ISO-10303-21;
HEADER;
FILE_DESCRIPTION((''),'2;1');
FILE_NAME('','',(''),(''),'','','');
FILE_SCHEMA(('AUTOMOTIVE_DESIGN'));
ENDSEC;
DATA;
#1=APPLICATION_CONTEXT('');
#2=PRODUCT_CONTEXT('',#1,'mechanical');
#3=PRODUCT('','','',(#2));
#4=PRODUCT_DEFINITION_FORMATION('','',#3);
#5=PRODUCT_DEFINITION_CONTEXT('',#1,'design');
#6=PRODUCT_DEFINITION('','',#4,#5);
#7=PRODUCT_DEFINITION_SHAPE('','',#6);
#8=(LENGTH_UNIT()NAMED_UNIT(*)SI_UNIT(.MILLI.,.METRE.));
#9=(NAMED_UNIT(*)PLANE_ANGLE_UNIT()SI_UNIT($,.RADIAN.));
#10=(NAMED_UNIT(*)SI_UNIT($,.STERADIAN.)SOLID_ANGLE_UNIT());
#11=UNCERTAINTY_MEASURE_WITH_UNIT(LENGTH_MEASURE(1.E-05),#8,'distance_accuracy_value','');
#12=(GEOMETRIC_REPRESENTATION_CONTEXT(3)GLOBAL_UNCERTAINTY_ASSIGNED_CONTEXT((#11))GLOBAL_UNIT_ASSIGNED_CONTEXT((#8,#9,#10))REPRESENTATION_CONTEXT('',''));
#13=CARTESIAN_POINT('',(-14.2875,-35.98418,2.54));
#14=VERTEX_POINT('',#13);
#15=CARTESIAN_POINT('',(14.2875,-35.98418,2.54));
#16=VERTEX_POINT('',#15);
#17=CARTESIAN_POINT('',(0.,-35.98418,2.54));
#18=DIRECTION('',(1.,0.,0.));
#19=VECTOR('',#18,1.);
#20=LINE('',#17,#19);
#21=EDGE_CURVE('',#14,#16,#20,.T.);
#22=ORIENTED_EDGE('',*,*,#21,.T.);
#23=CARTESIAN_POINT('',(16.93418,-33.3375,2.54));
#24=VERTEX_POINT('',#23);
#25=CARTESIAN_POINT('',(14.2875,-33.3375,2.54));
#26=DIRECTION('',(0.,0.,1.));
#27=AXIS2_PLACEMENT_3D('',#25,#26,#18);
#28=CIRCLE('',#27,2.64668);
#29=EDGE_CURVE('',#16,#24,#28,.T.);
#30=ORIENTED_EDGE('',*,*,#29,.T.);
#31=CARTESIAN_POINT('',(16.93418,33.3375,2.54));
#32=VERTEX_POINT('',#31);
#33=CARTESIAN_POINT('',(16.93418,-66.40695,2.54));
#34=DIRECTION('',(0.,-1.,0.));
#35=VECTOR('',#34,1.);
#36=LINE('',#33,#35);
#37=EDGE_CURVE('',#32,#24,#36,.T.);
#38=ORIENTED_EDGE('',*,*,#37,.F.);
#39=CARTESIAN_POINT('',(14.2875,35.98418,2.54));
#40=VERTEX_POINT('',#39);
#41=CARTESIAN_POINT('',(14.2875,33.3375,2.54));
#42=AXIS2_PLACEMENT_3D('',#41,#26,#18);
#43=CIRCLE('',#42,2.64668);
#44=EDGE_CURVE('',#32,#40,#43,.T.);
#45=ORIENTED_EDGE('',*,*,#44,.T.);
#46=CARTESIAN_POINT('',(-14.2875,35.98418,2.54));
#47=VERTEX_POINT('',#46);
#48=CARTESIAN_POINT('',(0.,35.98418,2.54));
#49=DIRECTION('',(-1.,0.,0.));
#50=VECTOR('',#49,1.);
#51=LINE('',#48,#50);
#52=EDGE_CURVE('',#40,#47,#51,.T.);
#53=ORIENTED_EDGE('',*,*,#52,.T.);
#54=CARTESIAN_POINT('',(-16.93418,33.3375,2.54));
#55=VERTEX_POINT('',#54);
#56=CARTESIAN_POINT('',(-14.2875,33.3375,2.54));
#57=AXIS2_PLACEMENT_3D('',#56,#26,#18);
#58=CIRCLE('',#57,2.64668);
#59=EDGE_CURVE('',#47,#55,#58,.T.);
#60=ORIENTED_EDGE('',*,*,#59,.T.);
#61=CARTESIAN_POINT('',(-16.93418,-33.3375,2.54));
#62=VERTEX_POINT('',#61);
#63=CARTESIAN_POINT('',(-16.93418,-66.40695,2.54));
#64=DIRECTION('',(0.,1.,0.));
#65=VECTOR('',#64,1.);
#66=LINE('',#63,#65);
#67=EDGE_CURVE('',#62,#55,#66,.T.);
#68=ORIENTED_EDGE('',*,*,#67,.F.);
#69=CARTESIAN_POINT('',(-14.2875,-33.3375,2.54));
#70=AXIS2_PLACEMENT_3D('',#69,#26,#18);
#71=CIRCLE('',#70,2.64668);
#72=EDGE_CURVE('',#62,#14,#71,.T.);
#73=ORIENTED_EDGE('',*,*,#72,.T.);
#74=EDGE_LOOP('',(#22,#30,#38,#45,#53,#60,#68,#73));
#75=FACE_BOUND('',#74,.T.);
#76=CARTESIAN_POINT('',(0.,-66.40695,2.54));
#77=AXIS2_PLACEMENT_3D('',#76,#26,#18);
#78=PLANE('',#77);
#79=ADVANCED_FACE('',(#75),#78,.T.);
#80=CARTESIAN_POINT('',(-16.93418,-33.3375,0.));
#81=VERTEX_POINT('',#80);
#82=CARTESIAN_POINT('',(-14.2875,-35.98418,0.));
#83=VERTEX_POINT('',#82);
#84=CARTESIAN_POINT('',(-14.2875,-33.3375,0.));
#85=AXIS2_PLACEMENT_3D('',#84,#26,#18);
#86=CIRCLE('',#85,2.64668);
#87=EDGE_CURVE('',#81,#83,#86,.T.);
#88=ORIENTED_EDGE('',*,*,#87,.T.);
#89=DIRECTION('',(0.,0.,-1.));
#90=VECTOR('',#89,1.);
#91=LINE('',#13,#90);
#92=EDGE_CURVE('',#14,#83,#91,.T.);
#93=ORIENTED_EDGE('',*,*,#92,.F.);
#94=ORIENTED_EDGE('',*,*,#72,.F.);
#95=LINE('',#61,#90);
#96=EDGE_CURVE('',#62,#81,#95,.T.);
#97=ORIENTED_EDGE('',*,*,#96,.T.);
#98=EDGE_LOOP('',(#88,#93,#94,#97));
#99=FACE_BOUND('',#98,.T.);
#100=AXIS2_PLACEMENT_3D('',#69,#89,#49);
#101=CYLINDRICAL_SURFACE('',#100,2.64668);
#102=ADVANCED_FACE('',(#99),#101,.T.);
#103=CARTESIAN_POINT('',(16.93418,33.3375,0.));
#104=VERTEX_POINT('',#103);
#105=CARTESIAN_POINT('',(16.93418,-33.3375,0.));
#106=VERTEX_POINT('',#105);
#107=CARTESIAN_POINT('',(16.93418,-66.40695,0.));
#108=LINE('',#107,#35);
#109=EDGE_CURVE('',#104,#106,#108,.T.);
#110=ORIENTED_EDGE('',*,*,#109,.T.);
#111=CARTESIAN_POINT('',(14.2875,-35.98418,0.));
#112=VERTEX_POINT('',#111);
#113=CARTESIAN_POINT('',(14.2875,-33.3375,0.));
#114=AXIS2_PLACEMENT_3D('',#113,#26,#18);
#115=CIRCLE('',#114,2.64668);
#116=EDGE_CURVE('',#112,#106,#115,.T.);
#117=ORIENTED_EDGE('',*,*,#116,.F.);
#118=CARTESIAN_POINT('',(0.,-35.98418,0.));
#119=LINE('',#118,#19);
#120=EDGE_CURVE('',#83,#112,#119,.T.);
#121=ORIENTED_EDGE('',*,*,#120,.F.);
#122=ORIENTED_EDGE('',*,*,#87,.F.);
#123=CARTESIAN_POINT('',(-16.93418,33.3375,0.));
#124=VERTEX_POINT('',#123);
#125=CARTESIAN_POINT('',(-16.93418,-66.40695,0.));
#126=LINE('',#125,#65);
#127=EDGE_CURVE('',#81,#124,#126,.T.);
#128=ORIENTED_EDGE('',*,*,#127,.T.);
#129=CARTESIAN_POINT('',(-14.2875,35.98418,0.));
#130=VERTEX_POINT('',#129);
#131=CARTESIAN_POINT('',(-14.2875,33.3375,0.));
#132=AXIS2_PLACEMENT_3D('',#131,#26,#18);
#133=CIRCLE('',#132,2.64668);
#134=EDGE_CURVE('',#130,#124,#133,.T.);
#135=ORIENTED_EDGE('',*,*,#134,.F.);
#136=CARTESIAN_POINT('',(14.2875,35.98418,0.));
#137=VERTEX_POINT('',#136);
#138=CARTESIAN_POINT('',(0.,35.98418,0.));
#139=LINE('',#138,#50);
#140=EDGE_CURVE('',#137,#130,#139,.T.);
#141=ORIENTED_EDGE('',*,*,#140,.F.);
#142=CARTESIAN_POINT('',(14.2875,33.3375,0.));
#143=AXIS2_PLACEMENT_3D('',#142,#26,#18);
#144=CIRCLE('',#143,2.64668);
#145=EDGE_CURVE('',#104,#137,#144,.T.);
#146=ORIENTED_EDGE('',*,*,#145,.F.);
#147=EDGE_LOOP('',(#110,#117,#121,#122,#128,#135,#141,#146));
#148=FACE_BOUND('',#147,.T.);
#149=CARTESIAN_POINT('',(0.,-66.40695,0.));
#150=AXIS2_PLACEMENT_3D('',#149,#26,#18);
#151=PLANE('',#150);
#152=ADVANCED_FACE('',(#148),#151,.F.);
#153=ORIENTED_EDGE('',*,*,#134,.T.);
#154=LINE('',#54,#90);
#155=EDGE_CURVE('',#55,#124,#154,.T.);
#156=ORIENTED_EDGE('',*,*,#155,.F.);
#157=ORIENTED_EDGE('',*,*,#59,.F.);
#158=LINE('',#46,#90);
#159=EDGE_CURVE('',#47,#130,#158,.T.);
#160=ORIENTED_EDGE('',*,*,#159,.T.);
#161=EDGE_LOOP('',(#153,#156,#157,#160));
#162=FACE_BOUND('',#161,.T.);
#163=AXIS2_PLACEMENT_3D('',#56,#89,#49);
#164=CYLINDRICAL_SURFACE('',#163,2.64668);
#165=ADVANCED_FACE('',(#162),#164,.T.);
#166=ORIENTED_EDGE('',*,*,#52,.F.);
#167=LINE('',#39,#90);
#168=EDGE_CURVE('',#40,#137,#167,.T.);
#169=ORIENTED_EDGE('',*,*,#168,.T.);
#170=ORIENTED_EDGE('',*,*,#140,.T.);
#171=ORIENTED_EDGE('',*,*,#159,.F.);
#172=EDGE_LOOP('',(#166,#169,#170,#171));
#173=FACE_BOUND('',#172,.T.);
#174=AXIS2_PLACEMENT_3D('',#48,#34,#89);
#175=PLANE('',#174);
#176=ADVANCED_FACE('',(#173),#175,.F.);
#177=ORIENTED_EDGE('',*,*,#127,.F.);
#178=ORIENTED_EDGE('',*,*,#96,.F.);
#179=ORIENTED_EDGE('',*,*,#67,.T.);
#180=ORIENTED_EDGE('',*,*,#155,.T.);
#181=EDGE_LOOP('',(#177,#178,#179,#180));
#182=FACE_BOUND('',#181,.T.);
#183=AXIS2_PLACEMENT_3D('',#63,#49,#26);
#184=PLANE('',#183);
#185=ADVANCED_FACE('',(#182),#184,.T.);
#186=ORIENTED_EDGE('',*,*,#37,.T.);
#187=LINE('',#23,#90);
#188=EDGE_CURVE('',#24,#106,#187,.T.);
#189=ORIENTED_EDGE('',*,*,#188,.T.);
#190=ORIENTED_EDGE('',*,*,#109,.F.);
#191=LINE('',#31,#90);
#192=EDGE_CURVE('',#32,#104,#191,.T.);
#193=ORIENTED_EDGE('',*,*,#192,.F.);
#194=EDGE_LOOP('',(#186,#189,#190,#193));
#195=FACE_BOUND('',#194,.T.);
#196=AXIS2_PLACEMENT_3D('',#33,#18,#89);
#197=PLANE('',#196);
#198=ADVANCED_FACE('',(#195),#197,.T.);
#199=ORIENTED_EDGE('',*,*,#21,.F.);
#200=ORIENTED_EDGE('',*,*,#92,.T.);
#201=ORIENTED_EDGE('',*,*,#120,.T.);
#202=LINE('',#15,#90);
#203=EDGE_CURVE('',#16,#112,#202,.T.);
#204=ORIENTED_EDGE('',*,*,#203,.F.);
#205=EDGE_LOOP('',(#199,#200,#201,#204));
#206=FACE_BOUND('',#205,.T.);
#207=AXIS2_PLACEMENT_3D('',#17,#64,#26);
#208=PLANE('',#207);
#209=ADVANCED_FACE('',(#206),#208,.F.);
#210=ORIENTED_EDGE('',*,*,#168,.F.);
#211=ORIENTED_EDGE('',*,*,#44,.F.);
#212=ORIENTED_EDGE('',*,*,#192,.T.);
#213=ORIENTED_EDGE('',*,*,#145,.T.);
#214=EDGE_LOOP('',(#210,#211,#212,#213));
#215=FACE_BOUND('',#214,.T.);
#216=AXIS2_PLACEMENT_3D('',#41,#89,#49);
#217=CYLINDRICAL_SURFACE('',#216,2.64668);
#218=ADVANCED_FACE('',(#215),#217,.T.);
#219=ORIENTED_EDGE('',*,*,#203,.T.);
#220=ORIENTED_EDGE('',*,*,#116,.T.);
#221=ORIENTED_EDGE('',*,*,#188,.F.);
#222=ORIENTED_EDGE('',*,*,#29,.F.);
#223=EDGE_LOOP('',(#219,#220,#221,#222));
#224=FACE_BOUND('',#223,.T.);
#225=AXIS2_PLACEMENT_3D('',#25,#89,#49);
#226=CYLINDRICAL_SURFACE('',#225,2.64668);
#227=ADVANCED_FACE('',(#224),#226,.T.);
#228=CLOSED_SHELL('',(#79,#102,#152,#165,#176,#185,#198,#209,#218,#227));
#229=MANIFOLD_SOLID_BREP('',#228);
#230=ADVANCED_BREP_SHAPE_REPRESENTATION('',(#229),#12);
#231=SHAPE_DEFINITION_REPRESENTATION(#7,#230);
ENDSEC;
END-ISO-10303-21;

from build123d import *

# Parameters (mm, degrees)
BOSS_EXTRUDE1_DEPTH = 2.54


with BuildPart() as part:
    # Sketch2 → Boss-Extrude1 (new body)
    with BuildSketch(Plane.XY):
        with BuildLine():
            Line((-16.93418, -33.3375), (-16.93418, 33.3375))
            ThreePointArc((-16.93418, 33.3375), (-16.158985376, 35.208985376), (-14.2875, 35.98418))
            Line((-14.2875, 35.98418), (14.2875, 35.98418))
            ThreePointArc((14.2875, 35.98418), (16.158985376, 35.208985376), (16.93418, 33.3375))
            Line((16.93418, 33.3375), (16.93418, -33.3375))
            ThreePointArc((16.93418, -33.3375), (16.158985376, -35.208985376), (14.2875, -35.98418))
            Line((14.2875, -35.98418), (-14.2875, -35.98418))
            ThreePointArc((-14.2875, -35.98418), (-16.158985376, -35.208985376), (-16.93418, -33.3375))
        make_face()
    extrude(amount=BOSS_EXTRUDE1_DEPTH)


solid = part.part
